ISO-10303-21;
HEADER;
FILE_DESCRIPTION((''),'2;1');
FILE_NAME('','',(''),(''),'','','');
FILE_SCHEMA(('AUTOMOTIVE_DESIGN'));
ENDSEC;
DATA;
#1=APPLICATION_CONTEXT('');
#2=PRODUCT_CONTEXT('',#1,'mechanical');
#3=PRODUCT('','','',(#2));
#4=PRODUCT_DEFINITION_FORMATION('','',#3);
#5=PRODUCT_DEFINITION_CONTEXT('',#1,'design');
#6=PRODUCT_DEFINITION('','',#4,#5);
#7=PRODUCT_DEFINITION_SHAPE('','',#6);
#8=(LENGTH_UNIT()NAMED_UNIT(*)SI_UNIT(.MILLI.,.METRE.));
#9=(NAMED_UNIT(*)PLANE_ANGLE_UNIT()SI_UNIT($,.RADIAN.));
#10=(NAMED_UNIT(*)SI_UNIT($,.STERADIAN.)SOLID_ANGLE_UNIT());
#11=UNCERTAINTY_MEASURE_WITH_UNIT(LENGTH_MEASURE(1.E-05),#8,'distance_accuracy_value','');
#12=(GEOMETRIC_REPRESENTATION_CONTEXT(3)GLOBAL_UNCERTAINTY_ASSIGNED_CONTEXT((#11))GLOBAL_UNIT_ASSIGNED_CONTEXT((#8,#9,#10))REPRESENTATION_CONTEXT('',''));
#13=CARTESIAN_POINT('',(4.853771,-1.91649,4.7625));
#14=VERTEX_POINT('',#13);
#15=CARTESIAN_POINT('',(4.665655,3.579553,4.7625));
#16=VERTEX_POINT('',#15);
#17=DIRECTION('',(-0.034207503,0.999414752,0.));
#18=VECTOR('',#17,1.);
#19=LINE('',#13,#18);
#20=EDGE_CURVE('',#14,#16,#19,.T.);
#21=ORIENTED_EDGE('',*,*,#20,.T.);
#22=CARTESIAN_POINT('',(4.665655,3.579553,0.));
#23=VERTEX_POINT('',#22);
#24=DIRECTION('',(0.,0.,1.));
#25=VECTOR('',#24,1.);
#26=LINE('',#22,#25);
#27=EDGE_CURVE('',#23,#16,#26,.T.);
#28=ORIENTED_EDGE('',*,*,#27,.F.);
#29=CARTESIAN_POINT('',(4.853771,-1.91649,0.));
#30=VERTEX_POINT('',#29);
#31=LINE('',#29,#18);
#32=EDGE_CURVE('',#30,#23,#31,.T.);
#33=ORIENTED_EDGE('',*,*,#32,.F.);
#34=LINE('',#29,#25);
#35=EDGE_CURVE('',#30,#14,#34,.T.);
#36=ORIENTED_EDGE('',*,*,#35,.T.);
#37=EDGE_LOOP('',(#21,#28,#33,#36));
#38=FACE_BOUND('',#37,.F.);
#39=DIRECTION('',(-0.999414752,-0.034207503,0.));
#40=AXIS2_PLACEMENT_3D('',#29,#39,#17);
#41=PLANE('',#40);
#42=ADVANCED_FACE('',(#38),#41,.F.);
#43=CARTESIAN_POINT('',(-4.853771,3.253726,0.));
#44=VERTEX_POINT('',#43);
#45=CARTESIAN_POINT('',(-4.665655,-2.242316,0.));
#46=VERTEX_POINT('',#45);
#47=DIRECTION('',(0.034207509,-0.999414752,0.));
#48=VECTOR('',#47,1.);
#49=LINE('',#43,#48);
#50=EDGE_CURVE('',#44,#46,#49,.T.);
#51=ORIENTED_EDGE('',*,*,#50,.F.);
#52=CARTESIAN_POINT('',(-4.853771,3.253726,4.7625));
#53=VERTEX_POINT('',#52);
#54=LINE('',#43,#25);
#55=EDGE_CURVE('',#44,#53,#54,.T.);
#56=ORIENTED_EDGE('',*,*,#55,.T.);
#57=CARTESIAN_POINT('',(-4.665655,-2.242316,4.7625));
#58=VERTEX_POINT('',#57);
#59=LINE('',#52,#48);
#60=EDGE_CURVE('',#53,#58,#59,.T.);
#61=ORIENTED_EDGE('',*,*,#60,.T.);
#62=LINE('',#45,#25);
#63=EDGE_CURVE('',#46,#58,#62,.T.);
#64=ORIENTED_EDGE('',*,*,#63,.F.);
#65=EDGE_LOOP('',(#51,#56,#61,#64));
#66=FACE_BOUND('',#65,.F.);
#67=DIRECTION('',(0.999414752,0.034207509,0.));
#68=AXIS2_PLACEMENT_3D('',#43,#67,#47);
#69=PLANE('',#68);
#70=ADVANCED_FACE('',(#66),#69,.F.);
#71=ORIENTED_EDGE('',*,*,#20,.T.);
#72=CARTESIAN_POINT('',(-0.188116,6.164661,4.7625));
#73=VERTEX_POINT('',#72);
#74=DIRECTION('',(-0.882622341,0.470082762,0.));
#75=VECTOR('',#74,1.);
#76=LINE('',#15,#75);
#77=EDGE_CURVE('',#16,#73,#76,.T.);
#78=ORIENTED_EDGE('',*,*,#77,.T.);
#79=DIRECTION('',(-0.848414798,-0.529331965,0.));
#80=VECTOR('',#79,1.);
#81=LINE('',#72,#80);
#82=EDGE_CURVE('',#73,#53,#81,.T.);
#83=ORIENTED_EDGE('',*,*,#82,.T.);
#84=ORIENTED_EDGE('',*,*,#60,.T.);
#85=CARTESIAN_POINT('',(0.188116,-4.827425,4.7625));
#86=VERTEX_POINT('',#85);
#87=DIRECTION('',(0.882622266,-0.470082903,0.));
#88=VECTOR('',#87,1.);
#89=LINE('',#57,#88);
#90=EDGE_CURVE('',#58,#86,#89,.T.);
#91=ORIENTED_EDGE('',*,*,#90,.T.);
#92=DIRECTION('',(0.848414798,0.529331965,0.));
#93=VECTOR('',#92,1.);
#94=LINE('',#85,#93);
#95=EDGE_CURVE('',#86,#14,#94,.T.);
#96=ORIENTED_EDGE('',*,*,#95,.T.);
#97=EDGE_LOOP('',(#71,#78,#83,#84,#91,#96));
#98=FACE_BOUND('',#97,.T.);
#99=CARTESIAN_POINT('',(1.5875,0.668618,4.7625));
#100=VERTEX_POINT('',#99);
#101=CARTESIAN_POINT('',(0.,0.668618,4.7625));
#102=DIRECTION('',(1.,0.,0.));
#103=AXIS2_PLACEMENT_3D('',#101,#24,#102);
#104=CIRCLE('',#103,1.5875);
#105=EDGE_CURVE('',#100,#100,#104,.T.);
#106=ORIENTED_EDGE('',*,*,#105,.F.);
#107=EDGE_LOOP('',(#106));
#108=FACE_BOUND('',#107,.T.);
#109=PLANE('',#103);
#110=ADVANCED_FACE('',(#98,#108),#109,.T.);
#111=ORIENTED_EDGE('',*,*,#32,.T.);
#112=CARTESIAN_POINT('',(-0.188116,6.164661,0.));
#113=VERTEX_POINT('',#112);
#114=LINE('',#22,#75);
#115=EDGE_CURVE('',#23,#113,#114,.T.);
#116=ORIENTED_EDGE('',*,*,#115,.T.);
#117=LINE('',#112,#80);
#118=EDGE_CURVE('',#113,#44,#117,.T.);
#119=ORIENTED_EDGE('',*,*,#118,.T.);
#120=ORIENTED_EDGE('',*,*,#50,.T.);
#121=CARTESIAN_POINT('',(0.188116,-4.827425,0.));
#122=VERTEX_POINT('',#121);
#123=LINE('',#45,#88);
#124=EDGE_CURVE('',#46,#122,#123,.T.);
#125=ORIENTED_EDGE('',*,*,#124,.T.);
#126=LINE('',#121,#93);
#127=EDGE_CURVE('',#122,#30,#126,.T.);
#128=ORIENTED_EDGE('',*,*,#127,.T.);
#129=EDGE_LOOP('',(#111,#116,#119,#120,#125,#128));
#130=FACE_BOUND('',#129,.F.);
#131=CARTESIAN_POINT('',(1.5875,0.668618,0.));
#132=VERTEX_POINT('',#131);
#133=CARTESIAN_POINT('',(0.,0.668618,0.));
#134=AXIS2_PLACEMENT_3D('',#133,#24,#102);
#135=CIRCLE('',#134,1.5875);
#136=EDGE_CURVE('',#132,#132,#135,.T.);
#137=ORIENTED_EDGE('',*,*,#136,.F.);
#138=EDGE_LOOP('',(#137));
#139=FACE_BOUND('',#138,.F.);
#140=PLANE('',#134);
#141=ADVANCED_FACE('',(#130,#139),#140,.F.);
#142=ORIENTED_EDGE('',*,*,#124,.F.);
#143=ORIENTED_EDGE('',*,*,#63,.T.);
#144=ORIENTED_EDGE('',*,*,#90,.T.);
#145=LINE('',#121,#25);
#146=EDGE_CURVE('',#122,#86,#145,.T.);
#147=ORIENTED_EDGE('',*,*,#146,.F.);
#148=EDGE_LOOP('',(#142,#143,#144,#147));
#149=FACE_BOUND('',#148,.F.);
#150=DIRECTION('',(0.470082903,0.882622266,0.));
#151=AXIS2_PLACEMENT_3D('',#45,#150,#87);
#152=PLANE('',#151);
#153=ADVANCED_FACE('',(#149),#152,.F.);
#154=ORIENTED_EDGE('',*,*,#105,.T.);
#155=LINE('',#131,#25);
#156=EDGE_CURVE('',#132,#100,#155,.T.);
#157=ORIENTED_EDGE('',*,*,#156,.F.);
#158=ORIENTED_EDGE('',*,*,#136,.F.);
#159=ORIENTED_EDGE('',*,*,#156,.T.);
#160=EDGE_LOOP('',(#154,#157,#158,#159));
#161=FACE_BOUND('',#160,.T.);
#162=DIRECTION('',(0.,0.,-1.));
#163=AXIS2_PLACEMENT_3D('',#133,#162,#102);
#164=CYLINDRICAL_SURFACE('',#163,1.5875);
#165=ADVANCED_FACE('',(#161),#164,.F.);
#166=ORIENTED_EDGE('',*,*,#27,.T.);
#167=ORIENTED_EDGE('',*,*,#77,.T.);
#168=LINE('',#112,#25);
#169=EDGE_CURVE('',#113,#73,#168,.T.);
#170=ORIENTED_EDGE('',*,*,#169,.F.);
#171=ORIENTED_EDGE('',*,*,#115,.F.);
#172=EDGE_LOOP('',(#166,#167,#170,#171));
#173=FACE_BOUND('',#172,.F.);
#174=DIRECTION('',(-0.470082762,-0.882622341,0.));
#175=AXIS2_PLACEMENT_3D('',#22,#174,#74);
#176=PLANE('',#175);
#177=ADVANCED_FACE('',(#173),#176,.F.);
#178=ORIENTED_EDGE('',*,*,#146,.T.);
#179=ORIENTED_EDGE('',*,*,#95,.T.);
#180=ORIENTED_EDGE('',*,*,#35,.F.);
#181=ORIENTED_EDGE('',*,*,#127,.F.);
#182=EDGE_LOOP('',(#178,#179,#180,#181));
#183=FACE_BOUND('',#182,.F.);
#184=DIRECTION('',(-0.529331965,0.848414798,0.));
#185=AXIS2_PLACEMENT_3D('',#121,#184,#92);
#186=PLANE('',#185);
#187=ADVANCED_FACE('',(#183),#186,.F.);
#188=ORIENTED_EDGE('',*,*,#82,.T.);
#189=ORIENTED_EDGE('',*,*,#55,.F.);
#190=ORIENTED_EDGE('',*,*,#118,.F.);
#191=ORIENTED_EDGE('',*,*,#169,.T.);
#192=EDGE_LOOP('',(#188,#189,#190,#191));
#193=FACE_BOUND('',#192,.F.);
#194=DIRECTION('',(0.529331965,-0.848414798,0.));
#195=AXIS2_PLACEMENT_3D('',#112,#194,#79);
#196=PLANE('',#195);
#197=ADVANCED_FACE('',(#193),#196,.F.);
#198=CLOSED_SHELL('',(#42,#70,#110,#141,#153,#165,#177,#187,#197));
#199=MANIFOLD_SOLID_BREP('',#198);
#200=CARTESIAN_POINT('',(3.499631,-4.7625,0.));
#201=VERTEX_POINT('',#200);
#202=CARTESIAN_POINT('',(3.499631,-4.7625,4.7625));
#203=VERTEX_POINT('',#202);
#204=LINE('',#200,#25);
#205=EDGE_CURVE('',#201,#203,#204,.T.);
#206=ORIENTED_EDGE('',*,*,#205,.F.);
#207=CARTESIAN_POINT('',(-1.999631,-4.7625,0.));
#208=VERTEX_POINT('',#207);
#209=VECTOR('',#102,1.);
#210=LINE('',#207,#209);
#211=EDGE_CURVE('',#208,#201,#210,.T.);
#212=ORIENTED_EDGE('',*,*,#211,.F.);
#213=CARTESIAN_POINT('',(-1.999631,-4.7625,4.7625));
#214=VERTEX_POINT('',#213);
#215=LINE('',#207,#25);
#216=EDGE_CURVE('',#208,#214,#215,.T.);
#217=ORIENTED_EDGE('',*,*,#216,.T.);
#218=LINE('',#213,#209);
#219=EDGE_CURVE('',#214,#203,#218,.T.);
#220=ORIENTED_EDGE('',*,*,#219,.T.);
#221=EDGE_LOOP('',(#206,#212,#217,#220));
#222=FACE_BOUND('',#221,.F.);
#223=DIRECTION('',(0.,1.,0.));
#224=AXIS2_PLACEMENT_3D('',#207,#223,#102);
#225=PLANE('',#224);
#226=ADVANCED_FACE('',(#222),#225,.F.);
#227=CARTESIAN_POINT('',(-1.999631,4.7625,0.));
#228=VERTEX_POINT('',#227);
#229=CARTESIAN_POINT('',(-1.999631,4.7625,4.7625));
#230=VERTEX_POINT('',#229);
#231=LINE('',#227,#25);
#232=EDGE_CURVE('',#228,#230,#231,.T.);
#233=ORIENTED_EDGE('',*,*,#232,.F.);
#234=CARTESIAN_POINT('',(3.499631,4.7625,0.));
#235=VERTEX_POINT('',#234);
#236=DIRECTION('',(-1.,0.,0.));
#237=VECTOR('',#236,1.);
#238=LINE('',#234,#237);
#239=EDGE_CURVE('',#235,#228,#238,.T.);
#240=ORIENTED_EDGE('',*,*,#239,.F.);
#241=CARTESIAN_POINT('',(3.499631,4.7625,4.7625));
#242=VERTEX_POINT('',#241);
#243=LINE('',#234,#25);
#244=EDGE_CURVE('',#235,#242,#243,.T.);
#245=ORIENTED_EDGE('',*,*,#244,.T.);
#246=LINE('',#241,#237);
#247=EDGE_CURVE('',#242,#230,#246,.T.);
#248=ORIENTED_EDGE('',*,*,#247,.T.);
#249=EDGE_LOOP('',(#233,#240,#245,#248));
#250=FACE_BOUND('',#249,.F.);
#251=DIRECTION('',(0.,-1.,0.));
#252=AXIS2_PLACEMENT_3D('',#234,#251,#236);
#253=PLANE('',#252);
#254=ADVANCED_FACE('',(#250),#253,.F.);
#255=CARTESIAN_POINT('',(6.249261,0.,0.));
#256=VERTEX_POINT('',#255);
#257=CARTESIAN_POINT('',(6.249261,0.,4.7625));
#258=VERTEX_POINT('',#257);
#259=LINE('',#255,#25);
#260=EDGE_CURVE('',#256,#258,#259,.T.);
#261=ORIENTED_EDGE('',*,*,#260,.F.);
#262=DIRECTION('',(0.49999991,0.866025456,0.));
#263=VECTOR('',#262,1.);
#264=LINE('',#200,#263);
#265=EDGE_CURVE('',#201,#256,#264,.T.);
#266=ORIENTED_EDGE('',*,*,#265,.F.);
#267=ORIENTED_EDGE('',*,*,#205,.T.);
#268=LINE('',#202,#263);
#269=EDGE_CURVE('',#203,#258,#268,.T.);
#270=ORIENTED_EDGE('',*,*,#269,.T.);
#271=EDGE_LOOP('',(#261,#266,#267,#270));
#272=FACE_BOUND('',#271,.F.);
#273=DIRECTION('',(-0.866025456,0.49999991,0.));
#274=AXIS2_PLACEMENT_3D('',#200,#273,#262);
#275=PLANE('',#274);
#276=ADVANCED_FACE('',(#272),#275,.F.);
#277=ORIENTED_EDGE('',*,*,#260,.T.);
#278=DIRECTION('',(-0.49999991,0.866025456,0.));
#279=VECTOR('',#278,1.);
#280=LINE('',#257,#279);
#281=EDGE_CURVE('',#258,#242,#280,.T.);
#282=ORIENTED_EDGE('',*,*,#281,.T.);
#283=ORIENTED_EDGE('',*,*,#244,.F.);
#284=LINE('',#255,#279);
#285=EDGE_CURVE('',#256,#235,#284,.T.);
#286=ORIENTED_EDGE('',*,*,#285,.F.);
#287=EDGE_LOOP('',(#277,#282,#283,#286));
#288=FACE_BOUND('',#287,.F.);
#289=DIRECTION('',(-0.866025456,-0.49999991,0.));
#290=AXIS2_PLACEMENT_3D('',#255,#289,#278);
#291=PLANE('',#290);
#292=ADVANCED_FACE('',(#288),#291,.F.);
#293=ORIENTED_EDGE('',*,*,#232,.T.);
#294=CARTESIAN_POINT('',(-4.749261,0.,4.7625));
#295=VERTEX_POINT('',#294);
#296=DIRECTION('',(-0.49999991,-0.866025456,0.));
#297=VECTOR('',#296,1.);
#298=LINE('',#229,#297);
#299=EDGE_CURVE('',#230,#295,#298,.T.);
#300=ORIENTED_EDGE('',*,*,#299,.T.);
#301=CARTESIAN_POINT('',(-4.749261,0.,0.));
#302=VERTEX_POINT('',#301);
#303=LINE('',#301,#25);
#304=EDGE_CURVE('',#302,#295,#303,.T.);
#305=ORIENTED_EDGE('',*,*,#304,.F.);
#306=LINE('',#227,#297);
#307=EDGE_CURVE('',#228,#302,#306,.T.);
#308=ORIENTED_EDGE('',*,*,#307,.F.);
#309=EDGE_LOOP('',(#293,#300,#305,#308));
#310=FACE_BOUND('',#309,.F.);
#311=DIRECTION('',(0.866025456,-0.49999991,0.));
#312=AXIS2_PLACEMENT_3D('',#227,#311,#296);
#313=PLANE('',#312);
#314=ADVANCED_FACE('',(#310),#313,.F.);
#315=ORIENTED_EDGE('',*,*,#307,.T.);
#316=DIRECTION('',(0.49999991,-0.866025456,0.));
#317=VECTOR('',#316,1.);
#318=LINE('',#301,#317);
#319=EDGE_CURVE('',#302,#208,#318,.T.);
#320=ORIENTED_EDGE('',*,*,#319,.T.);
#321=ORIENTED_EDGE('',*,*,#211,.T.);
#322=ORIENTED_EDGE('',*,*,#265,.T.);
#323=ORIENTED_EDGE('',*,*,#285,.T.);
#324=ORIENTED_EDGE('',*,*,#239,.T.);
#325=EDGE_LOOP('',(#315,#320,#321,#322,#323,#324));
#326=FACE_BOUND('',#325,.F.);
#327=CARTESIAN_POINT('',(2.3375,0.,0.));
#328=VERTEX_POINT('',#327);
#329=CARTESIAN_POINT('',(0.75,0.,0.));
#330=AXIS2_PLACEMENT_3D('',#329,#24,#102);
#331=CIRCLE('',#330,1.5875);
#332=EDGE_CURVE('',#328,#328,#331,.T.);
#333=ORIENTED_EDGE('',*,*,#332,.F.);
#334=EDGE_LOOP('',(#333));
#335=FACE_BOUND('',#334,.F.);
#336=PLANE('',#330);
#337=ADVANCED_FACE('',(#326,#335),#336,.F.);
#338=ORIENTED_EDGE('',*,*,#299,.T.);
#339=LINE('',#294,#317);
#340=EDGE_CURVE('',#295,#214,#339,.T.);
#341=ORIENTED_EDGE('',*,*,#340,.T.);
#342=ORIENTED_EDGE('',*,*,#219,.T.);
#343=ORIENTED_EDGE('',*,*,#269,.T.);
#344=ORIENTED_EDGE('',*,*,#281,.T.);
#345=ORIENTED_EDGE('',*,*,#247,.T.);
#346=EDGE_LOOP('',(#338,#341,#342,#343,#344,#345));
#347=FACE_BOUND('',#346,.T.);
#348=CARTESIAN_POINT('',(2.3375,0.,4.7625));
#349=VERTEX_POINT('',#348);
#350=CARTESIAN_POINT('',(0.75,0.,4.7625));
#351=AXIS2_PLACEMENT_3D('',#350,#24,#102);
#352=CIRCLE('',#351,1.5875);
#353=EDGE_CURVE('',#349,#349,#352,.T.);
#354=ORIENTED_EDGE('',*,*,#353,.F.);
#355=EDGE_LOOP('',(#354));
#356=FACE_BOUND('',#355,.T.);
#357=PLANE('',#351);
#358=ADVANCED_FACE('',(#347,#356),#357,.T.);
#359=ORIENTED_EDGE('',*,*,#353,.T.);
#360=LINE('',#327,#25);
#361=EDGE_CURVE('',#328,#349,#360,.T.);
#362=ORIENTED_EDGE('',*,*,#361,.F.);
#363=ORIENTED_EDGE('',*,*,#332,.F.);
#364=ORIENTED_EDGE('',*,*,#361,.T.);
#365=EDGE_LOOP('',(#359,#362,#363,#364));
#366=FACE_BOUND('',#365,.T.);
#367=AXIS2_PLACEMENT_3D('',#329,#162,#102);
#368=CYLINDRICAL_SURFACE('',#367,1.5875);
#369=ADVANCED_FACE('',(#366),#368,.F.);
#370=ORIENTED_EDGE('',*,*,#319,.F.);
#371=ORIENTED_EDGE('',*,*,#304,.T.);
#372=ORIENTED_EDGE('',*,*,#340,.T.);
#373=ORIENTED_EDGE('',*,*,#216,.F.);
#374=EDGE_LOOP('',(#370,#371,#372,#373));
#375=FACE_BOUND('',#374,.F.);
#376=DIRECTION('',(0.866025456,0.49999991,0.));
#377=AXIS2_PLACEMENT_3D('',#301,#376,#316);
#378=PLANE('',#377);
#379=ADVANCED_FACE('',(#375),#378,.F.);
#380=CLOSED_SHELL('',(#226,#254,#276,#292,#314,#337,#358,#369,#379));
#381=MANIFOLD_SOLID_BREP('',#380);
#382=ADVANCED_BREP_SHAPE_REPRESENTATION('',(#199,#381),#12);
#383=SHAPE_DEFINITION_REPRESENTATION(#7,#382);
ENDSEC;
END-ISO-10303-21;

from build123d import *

# Parameters (mm, degrees)
F0_R     = 1.5875
F1_DEPTH = 4.7625
F2_R     = 1.5875
F3_DEPTH = 4.7625


with BuildPart() as f1:
    # F0 (on Top) → F1 (new body)
    with BuildSketch(Plane.XY):
        Polygon((-0.188116, 6.164661), (-4.853771, 3.253726), (-4.665655, -2.242316), (0.188116, -4.827425), (4.853771, -1.91649), (4.665655, 3.579553), align=None)
        with Locations((0, 0.668618)):
            Circle(F0_R, mode=Mode.SUBTRACT)
    extrude(amount=F1_DEPTH)


with BuildPart() as f3:
    # F2 (on Top) → F3 (new body)
    with BuildSketch(Plane.XY):
        Polygon((-1.999631, -4.7625), (3.499631, -4.7625), (6.249261, 0), (3.499631, 4.7625), (-1.999631, 4.7625), (-4.749261, 0), align=None)
        with Locations((0.75, 0)):
            Circle(F2_R, mode=Mode.SUBTRACT)
    extrude(amount=F3_DEPTH)


solid = Compound([f1.part, f3.part])
